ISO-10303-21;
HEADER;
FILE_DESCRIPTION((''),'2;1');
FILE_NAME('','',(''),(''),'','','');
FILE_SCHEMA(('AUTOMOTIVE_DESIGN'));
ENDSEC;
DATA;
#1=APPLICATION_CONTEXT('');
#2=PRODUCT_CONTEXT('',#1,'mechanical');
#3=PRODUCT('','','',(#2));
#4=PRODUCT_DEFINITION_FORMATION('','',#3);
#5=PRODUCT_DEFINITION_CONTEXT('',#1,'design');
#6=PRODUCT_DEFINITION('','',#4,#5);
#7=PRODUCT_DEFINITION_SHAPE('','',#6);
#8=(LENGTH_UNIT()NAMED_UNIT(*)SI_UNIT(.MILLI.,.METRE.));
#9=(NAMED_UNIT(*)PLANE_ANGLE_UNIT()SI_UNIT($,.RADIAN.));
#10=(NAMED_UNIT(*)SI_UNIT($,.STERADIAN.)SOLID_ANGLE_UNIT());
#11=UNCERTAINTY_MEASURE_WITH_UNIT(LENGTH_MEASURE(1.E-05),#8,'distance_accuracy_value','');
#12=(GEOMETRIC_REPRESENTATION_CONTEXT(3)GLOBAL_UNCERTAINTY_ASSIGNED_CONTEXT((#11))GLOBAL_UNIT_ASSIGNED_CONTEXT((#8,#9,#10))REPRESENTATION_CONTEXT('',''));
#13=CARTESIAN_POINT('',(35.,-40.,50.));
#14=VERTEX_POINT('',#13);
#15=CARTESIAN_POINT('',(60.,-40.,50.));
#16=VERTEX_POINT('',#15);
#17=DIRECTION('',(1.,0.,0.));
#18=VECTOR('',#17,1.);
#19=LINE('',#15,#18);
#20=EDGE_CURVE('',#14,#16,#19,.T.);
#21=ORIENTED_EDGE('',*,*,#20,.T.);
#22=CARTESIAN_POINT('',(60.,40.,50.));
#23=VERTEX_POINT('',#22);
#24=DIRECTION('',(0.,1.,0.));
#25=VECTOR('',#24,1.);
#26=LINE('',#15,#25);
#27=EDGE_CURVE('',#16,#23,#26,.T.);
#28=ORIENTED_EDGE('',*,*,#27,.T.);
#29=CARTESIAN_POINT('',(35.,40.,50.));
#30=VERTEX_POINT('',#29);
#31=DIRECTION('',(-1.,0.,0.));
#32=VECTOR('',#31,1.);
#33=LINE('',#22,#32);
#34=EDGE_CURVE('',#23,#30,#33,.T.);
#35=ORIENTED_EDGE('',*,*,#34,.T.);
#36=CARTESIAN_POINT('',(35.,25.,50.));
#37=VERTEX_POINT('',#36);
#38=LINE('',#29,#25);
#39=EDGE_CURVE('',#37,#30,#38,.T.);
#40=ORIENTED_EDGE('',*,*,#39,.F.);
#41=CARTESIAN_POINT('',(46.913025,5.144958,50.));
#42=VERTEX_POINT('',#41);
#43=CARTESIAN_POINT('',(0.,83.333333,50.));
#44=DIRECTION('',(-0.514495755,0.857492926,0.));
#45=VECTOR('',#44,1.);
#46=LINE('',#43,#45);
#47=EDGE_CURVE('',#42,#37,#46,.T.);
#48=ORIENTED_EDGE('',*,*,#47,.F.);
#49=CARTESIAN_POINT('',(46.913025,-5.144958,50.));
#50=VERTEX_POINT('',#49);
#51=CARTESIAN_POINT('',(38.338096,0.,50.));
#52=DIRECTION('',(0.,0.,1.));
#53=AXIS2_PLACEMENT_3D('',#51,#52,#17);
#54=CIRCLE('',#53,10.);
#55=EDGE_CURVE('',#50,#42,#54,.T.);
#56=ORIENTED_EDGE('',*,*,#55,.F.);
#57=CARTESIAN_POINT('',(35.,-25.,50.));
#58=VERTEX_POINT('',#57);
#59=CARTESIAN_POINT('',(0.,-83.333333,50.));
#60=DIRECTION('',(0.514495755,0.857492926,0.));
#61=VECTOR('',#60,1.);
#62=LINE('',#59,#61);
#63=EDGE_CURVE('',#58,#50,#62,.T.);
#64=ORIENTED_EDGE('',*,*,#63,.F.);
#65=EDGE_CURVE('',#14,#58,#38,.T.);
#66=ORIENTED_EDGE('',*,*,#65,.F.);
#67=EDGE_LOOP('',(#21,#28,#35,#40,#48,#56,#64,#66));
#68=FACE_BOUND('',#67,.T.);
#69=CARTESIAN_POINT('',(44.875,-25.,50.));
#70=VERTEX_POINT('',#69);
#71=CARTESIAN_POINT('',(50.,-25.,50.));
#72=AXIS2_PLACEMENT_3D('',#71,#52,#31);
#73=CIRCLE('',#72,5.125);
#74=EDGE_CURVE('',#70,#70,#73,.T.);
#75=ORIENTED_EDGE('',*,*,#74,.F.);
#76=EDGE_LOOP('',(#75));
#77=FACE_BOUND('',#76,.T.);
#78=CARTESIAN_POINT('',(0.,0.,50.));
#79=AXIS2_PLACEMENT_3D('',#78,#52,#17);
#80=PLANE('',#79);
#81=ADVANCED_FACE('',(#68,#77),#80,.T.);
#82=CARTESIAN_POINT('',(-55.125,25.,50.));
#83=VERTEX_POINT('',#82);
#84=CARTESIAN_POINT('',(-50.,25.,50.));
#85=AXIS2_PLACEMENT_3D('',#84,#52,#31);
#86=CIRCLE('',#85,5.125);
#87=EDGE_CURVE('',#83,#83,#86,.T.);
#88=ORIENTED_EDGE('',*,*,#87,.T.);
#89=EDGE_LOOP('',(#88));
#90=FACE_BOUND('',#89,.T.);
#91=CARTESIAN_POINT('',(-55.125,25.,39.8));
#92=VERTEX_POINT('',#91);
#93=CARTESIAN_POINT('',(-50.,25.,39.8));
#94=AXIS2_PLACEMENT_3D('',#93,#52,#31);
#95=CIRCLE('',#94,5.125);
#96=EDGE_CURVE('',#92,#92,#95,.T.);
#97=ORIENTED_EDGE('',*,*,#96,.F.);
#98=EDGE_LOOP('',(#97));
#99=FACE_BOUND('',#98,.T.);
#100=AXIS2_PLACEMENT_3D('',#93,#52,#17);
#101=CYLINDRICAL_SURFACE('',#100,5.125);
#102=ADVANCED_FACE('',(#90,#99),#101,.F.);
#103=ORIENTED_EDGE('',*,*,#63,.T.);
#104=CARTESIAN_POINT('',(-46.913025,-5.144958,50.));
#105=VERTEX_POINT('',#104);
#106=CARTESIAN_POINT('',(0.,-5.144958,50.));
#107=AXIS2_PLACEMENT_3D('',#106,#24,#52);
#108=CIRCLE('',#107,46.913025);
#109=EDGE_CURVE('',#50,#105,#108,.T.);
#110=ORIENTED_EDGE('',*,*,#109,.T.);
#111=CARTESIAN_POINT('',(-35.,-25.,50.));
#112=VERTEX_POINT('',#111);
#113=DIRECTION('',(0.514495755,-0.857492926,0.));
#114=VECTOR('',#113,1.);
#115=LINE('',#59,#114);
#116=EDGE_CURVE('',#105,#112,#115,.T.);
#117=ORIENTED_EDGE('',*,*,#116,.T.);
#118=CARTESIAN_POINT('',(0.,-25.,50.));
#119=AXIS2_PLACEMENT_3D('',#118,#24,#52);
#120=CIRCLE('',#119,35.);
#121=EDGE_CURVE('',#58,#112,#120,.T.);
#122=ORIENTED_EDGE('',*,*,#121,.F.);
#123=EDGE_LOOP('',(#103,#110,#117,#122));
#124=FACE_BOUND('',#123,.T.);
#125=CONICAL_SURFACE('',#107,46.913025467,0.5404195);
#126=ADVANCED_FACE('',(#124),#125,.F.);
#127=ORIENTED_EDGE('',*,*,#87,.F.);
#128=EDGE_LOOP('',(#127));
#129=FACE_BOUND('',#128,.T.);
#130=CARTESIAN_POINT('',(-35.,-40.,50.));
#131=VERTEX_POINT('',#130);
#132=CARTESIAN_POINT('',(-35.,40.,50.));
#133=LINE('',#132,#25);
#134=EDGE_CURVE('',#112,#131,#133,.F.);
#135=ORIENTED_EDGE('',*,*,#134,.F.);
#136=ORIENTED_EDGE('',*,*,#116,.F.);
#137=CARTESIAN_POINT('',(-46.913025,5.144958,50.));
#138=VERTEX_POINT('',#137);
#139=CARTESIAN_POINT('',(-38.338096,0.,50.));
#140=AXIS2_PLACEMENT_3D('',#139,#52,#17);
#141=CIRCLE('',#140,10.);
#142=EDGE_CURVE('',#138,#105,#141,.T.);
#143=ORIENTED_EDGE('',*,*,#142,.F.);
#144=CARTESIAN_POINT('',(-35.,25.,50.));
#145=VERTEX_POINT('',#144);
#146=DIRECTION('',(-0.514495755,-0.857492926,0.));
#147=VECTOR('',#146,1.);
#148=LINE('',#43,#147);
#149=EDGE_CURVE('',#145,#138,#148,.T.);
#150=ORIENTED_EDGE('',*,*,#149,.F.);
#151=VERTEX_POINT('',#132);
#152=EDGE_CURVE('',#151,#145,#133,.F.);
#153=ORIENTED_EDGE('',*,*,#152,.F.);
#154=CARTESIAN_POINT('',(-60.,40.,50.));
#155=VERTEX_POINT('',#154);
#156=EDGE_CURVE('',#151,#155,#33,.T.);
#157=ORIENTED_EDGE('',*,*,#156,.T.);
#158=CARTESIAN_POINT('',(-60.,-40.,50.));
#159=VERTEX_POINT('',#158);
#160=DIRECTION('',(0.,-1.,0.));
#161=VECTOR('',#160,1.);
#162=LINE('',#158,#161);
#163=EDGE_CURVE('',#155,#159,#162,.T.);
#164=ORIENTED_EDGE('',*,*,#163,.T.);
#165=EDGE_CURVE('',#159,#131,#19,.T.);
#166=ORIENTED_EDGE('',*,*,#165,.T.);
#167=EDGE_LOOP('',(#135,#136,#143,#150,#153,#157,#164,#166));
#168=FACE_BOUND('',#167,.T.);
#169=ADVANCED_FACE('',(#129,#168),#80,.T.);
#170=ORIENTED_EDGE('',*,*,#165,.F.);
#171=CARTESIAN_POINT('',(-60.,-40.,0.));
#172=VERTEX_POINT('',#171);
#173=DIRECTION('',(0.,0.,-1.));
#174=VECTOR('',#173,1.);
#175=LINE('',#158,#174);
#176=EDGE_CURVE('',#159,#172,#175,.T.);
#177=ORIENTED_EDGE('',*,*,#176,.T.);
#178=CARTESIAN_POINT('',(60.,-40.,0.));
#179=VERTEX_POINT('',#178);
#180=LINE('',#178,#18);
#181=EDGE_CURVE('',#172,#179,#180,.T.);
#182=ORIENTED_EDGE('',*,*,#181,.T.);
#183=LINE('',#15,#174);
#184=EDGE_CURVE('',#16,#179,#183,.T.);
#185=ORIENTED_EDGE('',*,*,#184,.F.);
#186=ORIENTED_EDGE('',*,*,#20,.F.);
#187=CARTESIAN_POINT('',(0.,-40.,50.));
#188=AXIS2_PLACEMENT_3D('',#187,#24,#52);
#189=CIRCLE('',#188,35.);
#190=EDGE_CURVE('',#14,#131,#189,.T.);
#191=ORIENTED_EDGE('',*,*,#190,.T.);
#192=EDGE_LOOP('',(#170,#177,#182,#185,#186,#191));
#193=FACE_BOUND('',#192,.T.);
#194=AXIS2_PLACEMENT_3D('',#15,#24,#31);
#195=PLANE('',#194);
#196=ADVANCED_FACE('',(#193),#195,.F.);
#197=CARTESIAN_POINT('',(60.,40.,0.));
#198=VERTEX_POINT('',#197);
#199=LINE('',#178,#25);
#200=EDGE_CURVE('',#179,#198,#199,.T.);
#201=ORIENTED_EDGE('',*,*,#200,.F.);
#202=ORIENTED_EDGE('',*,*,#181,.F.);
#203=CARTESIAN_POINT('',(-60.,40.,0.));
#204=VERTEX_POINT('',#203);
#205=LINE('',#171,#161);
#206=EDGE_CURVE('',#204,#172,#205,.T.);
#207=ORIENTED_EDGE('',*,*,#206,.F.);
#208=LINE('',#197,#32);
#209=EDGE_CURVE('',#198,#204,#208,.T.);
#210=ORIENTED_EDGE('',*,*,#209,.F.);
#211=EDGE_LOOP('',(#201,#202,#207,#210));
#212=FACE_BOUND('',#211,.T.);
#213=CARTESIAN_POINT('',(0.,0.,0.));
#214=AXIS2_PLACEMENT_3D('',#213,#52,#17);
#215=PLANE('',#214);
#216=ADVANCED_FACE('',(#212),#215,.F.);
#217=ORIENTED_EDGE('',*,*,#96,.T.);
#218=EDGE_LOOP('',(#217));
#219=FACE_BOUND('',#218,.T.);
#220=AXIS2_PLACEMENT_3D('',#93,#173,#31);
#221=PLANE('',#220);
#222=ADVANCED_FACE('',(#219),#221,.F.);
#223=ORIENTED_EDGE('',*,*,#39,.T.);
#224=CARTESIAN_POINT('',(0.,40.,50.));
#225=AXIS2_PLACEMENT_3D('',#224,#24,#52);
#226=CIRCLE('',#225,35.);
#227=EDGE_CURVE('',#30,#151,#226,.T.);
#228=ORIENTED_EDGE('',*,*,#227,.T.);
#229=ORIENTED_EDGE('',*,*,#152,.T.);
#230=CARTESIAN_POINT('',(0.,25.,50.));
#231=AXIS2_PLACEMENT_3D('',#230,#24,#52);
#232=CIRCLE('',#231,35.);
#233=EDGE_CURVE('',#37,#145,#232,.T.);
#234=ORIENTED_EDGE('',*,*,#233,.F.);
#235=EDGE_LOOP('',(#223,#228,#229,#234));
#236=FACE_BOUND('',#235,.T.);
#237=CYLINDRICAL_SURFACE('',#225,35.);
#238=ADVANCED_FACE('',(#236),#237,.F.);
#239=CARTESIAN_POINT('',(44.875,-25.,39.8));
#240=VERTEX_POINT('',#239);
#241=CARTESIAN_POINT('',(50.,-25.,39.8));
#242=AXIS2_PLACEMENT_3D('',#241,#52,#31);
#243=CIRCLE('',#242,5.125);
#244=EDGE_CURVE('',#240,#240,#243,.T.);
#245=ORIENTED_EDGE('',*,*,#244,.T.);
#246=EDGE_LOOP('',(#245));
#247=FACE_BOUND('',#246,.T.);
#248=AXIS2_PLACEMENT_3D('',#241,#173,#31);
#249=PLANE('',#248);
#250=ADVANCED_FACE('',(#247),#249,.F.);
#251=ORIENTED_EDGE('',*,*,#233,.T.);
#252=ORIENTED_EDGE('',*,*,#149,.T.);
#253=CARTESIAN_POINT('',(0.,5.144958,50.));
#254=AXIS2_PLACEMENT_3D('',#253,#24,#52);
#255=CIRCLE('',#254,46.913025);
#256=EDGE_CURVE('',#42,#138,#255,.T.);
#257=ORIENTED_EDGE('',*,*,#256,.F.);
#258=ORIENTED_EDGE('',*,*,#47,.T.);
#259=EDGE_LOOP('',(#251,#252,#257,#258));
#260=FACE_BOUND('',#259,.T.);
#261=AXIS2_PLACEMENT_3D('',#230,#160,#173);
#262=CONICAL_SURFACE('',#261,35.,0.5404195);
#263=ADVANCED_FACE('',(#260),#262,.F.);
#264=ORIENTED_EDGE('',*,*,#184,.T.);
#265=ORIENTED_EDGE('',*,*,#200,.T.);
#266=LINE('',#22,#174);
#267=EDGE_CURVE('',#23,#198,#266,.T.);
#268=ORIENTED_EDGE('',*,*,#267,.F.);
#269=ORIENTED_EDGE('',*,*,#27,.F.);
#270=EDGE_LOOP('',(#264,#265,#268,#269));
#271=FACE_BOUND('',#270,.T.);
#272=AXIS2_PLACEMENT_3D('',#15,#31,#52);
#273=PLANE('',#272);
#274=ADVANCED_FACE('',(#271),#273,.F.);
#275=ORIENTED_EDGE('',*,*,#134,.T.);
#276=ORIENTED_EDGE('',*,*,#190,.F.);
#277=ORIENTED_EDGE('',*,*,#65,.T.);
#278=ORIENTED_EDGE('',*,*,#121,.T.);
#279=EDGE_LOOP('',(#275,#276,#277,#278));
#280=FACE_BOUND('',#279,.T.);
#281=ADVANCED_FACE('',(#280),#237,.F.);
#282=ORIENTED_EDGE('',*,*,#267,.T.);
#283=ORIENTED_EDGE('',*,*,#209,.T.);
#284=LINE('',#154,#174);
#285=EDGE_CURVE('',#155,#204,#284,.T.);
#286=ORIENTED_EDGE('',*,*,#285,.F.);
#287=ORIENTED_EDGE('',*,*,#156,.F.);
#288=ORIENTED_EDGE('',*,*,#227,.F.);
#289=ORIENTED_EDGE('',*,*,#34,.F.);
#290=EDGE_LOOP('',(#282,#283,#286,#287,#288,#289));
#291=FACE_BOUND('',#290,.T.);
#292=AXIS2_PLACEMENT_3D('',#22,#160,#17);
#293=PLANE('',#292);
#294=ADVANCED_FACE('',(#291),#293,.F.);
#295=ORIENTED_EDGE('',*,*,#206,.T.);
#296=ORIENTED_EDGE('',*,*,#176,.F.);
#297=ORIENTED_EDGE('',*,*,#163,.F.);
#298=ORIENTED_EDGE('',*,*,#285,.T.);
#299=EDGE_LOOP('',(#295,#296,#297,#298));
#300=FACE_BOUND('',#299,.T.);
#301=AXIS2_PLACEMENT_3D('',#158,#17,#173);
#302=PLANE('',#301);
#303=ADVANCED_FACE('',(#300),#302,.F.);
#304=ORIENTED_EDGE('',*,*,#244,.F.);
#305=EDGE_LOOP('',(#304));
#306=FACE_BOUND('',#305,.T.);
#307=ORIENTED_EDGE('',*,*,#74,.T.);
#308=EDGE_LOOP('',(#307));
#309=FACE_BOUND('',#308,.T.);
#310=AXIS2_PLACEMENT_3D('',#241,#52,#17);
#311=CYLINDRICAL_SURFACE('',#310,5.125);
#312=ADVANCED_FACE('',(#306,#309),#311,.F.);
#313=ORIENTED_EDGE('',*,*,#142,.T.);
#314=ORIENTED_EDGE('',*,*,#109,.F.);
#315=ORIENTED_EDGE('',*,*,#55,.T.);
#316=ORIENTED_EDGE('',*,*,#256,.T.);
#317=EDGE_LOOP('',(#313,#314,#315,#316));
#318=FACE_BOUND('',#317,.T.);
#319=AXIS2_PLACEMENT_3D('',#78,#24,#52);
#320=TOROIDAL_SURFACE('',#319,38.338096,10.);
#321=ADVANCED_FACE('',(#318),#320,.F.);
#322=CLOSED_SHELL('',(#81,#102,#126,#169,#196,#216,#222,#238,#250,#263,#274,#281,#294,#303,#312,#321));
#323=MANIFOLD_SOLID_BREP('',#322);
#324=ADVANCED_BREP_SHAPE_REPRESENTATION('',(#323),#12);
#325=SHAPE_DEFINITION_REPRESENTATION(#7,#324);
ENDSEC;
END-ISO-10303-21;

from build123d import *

# Parameters (mm, degrees)
SKETCH1_W           = 120
SKETCH1_H           = 80
BOSS_EXTRUDE1_DEPTH = 50
SKETCH3_R           = 5.125
CUT_EXTRUDE1_DEPTH  = 10.2


with BuildPart() as part:
    # Sketch1 → Boss-Extrude1 (new body)
    with BuildSketch(Plane.XY):
        Rectangle(SKETCH1_W, SKETCH1_H)
    extrude(amount=BOSS_EXTRUDE1_DEPTH)

    # Sketch3 → Cut-Extrude1 (cut)
    with BuildSketch(Plane.XY.offset(50)):
        with Locations(Location((-50, 25, 0), (0, 0, 180))):
            Circle(SKETCH3_R)
        with Locations(Location((50, -25, 0), (0, 0, 180))):
            Circle(SKETCH3_R)
    extrude(amount=-CUT_EXTRUDE1_DEPTH, mode=Mode.SUBTRACT)

    # Sketch2 → Cut-Revolve1 (revolve, cut)
    with BuildSketch(Plane.XY.offset(50)):
        with BuildLine():
            Line((-35, 40), (-35, 25))
            Line((-35, 25), (-46.913025467, 5.144957554))
            ThreePointArc((-46.913025467, 5.144957554), (-48.33809621, 0), (-46.913025467, -5.144957554))
            Line((-46.913025467, -5.144957554), (-35, -25))
            Line((-35, -25), (-35, -40))
            Line((-35, -40), (0, -40))
            Line((0, -40), (0, 40))
            Line((0, 40), (-35, 40))
        make_face()
    revolve(axis=Axis((0, 40, 50), (0, -1, 0)), mode=Mode.SUBTRACT)


solid = part.part
